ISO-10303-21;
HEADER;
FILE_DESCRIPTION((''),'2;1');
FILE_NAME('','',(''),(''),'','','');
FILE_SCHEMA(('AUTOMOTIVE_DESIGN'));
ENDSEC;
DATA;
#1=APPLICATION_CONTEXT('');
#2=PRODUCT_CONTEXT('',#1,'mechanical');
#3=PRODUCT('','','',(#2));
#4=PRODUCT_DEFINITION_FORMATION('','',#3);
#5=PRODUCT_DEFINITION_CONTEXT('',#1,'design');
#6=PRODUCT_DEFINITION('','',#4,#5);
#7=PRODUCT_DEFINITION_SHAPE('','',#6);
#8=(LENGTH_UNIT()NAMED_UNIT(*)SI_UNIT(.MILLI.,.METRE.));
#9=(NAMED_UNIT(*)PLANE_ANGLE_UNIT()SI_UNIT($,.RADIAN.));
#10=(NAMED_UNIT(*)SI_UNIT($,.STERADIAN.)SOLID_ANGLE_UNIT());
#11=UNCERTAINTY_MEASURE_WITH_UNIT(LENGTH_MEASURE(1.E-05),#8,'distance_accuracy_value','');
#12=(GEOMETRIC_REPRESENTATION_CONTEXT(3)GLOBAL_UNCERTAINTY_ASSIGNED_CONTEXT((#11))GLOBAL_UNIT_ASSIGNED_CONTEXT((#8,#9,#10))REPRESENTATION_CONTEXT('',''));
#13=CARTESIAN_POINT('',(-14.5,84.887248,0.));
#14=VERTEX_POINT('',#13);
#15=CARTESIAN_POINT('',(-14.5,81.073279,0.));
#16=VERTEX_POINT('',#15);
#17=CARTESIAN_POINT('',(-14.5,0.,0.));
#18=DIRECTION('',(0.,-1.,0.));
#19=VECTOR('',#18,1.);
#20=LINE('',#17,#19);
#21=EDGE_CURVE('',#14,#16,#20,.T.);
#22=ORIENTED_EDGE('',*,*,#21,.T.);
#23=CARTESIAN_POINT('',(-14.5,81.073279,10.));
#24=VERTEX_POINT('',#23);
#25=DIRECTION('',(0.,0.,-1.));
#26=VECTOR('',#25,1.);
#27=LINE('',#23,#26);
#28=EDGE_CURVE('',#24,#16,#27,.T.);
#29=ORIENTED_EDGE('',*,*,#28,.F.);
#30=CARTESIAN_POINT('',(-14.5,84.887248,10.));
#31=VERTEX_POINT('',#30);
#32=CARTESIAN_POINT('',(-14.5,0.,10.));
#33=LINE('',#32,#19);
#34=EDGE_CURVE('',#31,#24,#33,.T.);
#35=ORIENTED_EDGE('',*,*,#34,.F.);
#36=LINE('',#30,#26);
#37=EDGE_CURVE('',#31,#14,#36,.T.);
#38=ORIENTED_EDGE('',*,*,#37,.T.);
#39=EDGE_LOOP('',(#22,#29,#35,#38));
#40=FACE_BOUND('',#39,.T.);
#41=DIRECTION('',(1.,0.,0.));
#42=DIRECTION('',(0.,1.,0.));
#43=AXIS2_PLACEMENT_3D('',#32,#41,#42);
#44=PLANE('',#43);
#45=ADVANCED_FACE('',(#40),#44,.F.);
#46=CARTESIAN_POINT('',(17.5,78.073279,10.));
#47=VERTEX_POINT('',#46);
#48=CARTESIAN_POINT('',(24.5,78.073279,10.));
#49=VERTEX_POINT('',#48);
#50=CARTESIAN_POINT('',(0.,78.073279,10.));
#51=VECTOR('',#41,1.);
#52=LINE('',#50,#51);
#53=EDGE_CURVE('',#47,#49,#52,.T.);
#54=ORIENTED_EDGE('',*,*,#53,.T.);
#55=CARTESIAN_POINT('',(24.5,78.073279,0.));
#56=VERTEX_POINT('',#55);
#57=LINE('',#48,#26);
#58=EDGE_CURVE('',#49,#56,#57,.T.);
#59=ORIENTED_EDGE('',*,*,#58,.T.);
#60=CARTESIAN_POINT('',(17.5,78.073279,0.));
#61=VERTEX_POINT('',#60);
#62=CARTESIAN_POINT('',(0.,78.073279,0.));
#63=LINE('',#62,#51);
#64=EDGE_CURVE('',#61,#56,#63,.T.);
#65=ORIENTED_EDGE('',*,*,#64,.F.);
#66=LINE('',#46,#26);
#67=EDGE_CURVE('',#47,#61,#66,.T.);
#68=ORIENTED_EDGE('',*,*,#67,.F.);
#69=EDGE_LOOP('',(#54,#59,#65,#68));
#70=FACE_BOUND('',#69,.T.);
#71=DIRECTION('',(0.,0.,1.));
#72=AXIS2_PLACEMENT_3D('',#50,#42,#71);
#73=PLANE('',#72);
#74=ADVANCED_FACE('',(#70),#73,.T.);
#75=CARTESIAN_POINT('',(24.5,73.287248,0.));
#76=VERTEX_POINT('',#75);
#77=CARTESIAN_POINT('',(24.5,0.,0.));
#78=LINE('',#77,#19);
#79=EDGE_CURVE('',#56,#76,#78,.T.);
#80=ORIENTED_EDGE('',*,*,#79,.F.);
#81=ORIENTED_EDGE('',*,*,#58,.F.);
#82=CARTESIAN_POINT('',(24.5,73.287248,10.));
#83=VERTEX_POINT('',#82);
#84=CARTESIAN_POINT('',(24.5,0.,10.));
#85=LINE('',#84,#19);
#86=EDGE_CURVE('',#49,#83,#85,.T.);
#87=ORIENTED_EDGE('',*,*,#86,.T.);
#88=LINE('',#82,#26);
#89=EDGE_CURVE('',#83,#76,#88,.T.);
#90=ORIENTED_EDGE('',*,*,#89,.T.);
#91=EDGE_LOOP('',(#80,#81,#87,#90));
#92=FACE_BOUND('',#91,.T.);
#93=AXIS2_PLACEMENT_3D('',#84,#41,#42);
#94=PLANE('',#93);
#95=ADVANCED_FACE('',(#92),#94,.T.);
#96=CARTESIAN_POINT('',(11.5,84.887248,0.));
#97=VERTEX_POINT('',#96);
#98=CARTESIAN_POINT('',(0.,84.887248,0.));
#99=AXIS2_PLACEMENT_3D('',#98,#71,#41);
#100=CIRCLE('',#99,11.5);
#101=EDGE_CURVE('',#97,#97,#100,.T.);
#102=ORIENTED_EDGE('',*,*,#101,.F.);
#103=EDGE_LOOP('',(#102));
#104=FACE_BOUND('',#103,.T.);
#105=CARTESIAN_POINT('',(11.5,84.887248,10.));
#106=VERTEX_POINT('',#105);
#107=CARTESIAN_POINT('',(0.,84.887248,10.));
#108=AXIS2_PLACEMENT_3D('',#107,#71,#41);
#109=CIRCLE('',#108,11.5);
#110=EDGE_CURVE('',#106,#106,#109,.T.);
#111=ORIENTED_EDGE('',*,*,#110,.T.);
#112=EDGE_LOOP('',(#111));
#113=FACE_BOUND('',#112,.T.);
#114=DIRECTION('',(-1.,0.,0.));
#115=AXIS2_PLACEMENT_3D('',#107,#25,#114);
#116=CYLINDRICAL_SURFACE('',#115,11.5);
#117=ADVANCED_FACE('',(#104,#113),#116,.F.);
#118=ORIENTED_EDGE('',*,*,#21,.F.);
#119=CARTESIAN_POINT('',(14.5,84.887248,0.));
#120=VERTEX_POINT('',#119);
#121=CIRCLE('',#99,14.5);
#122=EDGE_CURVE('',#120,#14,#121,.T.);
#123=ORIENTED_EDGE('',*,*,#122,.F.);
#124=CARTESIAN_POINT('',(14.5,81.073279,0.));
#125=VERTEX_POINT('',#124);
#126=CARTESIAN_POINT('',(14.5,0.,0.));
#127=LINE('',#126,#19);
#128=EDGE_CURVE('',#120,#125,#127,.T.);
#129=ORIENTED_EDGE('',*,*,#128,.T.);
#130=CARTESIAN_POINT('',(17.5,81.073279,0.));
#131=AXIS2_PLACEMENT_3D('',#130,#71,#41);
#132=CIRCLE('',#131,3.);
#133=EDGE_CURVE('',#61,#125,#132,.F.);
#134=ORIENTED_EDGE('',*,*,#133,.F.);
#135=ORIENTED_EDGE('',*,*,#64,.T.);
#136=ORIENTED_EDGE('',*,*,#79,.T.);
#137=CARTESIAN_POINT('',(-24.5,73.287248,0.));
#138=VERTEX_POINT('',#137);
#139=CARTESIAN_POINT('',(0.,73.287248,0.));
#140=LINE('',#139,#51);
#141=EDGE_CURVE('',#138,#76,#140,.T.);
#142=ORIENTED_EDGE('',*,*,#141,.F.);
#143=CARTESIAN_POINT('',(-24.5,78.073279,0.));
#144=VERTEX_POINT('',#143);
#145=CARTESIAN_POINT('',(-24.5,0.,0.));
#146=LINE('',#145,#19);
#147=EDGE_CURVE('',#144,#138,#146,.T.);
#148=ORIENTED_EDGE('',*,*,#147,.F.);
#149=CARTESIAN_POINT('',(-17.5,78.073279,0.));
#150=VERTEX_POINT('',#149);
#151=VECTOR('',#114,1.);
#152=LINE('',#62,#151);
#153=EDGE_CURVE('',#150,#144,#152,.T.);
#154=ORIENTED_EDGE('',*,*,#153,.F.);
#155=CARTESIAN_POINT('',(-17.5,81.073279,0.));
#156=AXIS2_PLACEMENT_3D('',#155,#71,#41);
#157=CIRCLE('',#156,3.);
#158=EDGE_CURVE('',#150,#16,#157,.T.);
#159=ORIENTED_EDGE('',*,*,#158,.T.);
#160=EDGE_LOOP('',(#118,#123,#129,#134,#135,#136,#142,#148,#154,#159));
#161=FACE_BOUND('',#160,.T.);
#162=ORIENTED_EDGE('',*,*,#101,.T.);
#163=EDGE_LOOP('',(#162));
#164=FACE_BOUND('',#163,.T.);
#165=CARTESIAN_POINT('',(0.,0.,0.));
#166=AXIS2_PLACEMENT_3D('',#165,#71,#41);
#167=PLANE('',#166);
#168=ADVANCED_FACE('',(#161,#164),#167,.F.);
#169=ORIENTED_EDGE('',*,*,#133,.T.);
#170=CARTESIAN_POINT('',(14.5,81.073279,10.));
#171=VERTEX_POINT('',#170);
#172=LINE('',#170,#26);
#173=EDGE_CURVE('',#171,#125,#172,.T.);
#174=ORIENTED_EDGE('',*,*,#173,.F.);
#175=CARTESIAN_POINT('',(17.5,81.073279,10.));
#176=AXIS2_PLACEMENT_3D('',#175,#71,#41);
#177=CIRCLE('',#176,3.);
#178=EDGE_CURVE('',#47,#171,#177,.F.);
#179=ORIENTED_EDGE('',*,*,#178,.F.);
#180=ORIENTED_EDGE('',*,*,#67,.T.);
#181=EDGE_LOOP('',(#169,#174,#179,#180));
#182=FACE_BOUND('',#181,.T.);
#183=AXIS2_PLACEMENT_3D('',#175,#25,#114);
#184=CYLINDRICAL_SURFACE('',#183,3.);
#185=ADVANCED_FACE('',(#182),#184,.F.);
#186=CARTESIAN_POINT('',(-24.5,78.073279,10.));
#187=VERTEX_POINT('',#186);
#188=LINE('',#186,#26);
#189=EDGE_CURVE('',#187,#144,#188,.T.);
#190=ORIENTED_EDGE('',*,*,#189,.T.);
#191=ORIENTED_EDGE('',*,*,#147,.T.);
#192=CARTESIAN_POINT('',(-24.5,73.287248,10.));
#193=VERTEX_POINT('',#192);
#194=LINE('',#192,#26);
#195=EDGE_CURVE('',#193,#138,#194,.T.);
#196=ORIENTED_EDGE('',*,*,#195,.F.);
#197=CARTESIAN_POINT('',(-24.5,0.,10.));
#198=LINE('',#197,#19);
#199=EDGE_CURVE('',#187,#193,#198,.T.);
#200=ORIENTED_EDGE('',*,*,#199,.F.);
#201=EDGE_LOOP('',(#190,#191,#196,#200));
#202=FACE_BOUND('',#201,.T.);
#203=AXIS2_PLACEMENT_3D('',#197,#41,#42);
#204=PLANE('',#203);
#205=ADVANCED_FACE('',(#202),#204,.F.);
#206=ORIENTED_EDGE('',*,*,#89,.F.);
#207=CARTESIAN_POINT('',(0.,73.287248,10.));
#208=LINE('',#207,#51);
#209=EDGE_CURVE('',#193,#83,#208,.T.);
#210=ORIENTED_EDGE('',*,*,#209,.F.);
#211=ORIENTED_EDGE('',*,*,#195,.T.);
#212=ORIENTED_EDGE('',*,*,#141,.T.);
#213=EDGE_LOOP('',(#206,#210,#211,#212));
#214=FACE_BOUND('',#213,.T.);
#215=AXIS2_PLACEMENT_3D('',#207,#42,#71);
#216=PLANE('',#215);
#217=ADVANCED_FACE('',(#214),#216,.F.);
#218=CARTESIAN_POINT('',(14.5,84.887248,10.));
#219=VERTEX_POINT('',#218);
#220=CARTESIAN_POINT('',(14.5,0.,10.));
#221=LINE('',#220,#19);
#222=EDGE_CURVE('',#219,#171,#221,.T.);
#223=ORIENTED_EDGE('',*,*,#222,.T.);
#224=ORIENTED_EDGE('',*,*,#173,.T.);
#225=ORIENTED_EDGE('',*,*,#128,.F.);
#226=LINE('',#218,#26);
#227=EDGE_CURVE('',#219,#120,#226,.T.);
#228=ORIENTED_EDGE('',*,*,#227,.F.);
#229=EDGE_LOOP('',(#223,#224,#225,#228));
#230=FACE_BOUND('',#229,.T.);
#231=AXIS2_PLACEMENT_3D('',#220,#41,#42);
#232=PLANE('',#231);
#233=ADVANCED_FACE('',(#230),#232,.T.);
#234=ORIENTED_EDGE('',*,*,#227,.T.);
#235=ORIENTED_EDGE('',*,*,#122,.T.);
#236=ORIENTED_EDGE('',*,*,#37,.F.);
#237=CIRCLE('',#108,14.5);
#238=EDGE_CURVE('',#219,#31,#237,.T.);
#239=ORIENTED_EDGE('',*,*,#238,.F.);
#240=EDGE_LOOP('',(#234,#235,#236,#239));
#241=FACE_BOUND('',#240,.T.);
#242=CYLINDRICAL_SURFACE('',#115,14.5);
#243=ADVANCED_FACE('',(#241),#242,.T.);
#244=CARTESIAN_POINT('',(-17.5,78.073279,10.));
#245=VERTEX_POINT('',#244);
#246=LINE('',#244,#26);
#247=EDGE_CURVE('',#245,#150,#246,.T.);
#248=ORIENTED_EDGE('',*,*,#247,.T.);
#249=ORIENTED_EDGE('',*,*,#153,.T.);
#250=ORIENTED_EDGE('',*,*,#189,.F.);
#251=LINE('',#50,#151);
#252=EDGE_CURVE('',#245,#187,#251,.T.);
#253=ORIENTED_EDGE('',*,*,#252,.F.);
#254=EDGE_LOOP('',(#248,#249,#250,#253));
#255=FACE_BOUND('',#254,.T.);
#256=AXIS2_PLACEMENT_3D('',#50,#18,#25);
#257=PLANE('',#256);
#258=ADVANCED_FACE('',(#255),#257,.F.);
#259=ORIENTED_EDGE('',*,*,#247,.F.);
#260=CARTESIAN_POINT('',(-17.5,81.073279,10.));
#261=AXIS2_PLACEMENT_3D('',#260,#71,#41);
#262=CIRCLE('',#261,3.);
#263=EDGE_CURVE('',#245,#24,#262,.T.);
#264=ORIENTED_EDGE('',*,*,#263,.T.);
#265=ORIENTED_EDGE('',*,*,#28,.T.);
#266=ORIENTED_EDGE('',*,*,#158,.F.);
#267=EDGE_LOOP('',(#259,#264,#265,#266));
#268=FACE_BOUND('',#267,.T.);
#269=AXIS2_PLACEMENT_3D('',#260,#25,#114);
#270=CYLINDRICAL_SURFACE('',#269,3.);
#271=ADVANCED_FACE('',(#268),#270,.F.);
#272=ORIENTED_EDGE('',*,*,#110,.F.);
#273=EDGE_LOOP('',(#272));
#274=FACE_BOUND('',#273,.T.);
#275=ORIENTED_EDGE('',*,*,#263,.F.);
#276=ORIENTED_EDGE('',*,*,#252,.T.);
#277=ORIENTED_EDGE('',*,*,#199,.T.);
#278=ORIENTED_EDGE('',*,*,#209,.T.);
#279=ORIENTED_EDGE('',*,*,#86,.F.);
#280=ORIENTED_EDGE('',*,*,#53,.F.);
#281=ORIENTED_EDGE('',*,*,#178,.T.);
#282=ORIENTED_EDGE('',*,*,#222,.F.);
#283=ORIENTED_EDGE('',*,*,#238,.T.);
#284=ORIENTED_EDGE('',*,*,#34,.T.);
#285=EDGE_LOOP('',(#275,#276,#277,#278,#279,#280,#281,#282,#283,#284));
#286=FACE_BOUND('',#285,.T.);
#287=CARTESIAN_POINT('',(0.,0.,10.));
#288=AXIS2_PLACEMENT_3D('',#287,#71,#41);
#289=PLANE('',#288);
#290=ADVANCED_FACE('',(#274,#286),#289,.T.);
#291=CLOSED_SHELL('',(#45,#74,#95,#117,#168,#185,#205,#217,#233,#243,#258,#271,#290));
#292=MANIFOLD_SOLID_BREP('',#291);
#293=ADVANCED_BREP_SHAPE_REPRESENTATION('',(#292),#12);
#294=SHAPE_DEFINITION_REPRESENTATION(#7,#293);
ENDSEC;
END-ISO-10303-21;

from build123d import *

# Parameters (mm, degrees)
BOSS_EXTRUDE1_DEPTH = 10


with BuildPart() as part:
    # Sketch1 → Boss-Extrude1 (new body)
    with BuildSketch(Plane.XY):
        with BuildLine():
            Line((17.5, 78.07327943), (24.5, 78.07327943))
            Line((24.5, 78.07327943), (24.5, 73.287247591))
            Line((24.5, 73.287247591), (-24.5, 73.287247591))
            Line((-24.5, 73.287247591), (-24.5, 78.07327943))
            Line((-24.5, 78.07327943), (-17.5, 78.07327943))
            ThreePointArc((-17.5, 78.07327943), (-15.378679656, 78.951959087), (-14.5, 81.07327943))
            Line((-14.5, 81.07327943), (-14.5, 84.887247591))
            ThreePointArc((-14.5, 84.887247591), (0, 99.387247591), (14.5, 84.887247591))
            Line((14.5, 84.887247591), (14.5, 81.07327943))
            ThreePointArc((14.5, 81.07327943), (15.378679656, 78.951959087), (17.5, 78.07327943))
        make_face()
        with BuildLine():
            ThreePointArc((11.5, 84.887247591), (0, 96.387247591), (-11.5, 84.887247591))
            ThreePointArc((-11.5, 84.887247591), (0, 73.387247591), (11.5, 84.887247591))
        make_face(mode=Mode.SUBTRACT)
    extrude(amount=BOSS_EXTRUDE1_DEPTH)


solid = part.part
